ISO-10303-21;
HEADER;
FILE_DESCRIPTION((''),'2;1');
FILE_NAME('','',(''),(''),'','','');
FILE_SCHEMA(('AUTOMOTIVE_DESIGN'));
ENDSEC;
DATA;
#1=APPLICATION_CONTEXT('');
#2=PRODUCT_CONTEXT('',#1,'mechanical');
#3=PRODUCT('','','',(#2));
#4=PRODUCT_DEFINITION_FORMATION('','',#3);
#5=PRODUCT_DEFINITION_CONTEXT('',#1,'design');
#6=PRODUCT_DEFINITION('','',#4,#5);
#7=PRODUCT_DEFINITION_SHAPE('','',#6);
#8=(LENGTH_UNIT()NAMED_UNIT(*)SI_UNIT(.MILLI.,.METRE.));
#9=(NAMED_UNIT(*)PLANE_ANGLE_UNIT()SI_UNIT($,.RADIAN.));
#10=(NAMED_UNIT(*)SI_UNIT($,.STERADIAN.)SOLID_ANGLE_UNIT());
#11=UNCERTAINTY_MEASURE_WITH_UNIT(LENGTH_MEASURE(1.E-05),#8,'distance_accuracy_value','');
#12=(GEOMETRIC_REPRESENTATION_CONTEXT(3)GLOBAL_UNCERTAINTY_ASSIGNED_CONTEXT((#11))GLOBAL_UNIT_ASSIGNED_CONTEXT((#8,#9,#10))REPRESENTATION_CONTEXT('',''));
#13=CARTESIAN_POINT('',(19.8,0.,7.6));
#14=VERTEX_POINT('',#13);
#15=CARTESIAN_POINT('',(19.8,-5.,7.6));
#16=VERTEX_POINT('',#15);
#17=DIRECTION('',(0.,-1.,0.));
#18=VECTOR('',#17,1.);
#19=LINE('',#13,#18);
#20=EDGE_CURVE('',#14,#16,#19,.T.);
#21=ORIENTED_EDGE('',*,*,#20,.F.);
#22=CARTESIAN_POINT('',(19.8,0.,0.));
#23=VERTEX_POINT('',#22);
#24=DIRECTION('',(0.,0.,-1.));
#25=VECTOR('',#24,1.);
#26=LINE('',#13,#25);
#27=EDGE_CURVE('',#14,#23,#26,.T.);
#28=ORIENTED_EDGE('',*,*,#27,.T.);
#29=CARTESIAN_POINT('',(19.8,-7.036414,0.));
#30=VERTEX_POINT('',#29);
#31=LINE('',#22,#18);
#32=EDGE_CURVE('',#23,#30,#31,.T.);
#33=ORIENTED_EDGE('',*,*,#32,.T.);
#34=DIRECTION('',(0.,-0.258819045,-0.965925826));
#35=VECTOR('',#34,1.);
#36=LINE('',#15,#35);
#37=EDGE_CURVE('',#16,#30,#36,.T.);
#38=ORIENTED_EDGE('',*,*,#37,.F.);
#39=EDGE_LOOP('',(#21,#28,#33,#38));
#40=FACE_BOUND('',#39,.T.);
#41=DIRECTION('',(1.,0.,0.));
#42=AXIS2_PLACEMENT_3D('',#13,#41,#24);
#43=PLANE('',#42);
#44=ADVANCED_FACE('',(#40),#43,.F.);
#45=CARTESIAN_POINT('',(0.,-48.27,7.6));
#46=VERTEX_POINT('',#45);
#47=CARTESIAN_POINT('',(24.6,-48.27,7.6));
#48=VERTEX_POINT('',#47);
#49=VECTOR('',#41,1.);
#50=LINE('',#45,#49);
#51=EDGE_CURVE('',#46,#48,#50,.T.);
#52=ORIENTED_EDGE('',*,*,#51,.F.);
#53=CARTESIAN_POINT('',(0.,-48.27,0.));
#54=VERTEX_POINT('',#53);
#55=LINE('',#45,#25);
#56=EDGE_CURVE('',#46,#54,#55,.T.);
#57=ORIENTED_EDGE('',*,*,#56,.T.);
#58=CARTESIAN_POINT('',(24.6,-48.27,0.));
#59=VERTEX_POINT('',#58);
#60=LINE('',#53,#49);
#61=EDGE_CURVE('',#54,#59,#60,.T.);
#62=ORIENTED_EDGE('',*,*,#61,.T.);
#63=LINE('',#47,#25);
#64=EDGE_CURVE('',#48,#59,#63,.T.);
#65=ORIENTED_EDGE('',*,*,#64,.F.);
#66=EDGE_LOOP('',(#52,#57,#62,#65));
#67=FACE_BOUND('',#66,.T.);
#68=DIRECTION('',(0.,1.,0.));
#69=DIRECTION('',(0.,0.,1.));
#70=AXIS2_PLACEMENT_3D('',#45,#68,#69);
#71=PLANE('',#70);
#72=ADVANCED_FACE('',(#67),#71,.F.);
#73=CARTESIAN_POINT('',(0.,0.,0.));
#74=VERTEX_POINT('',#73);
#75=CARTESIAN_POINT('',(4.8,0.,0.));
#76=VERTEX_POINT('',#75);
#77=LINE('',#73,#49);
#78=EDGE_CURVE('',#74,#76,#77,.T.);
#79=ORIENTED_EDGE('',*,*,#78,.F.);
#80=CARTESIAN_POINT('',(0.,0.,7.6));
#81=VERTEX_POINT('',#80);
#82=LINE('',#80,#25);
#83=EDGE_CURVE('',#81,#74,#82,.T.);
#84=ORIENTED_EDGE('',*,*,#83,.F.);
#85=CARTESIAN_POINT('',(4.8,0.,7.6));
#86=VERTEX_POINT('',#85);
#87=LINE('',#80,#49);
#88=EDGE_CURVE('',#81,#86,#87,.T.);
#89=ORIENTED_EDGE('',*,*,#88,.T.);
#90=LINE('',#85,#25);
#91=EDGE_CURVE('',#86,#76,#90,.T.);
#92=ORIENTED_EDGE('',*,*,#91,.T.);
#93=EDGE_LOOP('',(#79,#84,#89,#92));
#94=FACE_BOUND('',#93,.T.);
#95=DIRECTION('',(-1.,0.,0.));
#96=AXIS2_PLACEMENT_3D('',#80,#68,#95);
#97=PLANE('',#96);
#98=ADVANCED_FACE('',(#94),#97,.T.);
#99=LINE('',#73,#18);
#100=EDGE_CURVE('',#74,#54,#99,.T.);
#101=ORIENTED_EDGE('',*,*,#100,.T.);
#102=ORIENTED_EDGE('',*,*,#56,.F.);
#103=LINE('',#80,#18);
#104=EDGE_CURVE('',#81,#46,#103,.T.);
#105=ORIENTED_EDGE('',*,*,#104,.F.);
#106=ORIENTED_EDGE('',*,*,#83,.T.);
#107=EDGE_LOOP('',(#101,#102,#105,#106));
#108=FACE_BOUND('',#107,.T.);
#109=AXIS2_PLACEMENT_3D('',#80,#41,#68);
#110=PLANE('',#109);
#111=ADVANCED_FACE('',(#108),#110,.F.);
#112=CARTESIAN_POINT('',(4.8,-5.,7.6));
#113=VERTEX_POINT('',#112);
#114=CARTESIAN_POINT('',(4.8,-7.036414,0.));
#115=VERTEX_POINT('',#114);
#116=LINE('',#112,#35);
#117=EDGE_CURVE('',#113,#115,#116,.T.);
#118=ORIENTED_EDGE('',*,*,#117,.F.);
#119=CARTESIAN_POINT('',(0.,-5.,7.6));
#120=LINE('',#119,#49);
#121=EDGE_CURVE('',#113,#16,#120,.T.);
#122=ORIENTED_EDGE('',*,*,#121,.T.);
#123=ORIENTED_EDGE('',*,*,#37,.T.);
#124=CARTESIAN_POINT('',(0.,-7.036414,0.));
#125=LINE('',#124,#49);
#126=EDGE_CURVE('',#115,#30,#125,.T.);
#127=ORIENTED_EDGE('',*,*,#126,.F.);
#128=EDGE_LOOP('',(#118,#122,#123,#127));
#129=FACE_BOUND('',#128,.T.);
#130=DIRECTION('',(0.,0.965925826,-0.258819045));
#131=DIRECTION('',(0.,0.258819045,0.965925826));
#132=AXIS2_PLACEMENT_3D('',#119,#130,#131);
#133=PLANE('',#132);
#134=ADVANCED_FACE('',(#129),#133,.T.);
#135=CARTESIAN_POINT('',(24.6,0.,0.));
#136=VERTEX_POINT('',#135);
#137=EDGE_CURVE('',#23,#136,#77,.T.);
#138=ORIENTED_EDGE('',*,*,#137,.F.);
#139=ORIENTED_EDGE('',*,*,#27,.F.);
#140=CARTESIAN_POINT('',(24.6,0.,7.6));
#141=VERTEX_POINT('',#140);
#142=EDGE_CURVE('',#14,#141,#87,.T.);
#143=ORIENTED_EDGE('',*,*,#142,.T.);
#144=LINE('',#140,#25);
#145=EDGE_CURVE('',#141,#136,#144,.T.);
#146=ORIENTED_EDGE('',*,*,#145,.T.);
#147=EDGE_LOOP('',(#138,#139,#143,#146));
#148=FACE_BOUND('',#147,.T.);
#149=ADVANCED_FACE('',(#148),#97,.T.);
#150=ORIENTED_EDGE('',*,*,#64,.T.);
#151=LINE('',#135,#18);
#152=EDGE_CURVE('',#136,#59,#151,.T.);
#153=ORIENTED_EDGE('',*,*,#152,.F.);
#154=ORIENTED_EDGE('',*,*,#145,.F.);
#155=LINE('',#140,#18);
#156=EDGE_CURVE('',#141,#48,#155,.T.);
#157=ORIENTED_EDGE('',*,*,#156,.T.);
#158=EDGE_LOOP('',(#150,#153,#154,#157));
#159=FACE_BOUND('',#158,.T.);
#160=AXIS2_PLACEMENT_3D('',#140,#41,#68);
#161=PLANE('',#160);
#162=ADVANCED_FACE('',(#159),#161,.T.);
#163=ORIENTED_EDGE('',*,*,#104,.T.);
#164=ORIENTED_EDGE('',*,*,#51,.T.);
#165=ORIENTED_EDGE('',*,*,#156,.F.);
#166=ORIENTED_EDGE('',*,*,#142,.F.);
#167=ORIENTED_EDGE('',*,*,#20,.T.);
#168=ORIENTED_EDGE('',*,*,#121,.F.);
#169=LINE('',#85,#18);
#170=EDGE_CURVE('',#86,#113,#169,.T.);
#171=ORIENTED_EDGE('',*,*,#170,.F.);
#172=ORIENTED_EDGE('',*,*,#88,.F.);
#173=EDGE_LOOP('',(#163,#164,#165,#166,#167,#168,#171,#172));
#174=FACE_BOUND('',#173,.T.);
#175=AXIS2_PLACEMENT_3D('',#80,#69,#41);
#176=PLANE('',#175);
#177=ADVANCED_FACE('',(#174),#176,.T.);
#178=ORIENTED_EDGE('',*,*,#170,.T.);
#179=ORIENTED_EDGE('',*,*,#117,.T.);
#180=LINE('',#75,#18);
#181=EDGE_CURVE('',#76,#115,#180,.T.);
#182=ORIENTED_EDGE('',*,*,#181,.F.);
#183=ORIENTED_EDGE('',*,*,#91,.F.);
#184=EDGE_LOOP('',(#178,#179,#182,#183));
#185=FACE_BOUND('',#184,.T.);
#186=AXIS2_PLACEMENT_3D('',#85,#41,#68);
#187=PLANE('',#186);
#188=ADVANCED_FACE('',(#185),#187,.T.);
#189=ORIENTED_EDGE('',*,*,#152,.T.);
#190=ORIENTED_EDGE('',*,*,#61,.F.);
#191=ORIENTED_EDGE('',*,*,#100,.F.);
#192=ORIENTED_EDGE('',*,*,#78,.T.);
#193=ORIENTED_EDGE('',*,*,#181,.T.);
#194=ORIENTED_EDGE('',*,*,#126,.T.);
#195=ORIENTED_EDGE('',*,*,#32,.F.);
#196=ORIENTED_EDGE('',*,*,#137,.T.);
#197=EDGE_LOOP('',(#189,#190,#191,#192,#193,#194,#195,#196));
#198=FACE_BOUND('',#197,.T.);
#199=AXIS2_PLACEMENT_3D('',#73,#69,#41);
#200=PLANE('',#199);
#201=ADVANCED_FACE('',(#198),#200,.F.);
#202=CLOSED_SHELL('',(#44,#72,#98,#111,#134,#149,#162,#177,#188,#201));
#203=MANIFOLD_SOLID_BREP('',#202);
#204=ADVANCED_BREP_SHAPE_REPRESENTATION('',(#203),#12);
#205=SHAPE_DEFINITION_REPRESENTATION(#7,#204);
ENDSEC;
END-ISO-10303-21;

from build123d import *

# Parameters (mm, degrees)
EXTRUDE_1_DEPTH = 7.6
DRAFT_5_ANGLE   = -15


with BuildPart() as part:
    # 草图1 → 凸台-拉伸1 (new body)
    with BuildSketch(Plane.XY):
        Polygon((4.8, 0), (0, 0), (0, -48.27), (24.6, -48.27), (24.6, 0), (19.8, 0), (19.8, -5), (4.8, -5), align=None)
    extrude(amount=EXTRUDE_1_DEPTH)

    # 拔模5
    draft_5_faces = [part.faces().sort_by_distance(p)[0] for p in [
        (12.3, -5, 3.8),
    ]]
    draft(draft_5_faces, Plane.XY.offset(7.6), DRAFT_5_ANGLE)


solid = part.part
